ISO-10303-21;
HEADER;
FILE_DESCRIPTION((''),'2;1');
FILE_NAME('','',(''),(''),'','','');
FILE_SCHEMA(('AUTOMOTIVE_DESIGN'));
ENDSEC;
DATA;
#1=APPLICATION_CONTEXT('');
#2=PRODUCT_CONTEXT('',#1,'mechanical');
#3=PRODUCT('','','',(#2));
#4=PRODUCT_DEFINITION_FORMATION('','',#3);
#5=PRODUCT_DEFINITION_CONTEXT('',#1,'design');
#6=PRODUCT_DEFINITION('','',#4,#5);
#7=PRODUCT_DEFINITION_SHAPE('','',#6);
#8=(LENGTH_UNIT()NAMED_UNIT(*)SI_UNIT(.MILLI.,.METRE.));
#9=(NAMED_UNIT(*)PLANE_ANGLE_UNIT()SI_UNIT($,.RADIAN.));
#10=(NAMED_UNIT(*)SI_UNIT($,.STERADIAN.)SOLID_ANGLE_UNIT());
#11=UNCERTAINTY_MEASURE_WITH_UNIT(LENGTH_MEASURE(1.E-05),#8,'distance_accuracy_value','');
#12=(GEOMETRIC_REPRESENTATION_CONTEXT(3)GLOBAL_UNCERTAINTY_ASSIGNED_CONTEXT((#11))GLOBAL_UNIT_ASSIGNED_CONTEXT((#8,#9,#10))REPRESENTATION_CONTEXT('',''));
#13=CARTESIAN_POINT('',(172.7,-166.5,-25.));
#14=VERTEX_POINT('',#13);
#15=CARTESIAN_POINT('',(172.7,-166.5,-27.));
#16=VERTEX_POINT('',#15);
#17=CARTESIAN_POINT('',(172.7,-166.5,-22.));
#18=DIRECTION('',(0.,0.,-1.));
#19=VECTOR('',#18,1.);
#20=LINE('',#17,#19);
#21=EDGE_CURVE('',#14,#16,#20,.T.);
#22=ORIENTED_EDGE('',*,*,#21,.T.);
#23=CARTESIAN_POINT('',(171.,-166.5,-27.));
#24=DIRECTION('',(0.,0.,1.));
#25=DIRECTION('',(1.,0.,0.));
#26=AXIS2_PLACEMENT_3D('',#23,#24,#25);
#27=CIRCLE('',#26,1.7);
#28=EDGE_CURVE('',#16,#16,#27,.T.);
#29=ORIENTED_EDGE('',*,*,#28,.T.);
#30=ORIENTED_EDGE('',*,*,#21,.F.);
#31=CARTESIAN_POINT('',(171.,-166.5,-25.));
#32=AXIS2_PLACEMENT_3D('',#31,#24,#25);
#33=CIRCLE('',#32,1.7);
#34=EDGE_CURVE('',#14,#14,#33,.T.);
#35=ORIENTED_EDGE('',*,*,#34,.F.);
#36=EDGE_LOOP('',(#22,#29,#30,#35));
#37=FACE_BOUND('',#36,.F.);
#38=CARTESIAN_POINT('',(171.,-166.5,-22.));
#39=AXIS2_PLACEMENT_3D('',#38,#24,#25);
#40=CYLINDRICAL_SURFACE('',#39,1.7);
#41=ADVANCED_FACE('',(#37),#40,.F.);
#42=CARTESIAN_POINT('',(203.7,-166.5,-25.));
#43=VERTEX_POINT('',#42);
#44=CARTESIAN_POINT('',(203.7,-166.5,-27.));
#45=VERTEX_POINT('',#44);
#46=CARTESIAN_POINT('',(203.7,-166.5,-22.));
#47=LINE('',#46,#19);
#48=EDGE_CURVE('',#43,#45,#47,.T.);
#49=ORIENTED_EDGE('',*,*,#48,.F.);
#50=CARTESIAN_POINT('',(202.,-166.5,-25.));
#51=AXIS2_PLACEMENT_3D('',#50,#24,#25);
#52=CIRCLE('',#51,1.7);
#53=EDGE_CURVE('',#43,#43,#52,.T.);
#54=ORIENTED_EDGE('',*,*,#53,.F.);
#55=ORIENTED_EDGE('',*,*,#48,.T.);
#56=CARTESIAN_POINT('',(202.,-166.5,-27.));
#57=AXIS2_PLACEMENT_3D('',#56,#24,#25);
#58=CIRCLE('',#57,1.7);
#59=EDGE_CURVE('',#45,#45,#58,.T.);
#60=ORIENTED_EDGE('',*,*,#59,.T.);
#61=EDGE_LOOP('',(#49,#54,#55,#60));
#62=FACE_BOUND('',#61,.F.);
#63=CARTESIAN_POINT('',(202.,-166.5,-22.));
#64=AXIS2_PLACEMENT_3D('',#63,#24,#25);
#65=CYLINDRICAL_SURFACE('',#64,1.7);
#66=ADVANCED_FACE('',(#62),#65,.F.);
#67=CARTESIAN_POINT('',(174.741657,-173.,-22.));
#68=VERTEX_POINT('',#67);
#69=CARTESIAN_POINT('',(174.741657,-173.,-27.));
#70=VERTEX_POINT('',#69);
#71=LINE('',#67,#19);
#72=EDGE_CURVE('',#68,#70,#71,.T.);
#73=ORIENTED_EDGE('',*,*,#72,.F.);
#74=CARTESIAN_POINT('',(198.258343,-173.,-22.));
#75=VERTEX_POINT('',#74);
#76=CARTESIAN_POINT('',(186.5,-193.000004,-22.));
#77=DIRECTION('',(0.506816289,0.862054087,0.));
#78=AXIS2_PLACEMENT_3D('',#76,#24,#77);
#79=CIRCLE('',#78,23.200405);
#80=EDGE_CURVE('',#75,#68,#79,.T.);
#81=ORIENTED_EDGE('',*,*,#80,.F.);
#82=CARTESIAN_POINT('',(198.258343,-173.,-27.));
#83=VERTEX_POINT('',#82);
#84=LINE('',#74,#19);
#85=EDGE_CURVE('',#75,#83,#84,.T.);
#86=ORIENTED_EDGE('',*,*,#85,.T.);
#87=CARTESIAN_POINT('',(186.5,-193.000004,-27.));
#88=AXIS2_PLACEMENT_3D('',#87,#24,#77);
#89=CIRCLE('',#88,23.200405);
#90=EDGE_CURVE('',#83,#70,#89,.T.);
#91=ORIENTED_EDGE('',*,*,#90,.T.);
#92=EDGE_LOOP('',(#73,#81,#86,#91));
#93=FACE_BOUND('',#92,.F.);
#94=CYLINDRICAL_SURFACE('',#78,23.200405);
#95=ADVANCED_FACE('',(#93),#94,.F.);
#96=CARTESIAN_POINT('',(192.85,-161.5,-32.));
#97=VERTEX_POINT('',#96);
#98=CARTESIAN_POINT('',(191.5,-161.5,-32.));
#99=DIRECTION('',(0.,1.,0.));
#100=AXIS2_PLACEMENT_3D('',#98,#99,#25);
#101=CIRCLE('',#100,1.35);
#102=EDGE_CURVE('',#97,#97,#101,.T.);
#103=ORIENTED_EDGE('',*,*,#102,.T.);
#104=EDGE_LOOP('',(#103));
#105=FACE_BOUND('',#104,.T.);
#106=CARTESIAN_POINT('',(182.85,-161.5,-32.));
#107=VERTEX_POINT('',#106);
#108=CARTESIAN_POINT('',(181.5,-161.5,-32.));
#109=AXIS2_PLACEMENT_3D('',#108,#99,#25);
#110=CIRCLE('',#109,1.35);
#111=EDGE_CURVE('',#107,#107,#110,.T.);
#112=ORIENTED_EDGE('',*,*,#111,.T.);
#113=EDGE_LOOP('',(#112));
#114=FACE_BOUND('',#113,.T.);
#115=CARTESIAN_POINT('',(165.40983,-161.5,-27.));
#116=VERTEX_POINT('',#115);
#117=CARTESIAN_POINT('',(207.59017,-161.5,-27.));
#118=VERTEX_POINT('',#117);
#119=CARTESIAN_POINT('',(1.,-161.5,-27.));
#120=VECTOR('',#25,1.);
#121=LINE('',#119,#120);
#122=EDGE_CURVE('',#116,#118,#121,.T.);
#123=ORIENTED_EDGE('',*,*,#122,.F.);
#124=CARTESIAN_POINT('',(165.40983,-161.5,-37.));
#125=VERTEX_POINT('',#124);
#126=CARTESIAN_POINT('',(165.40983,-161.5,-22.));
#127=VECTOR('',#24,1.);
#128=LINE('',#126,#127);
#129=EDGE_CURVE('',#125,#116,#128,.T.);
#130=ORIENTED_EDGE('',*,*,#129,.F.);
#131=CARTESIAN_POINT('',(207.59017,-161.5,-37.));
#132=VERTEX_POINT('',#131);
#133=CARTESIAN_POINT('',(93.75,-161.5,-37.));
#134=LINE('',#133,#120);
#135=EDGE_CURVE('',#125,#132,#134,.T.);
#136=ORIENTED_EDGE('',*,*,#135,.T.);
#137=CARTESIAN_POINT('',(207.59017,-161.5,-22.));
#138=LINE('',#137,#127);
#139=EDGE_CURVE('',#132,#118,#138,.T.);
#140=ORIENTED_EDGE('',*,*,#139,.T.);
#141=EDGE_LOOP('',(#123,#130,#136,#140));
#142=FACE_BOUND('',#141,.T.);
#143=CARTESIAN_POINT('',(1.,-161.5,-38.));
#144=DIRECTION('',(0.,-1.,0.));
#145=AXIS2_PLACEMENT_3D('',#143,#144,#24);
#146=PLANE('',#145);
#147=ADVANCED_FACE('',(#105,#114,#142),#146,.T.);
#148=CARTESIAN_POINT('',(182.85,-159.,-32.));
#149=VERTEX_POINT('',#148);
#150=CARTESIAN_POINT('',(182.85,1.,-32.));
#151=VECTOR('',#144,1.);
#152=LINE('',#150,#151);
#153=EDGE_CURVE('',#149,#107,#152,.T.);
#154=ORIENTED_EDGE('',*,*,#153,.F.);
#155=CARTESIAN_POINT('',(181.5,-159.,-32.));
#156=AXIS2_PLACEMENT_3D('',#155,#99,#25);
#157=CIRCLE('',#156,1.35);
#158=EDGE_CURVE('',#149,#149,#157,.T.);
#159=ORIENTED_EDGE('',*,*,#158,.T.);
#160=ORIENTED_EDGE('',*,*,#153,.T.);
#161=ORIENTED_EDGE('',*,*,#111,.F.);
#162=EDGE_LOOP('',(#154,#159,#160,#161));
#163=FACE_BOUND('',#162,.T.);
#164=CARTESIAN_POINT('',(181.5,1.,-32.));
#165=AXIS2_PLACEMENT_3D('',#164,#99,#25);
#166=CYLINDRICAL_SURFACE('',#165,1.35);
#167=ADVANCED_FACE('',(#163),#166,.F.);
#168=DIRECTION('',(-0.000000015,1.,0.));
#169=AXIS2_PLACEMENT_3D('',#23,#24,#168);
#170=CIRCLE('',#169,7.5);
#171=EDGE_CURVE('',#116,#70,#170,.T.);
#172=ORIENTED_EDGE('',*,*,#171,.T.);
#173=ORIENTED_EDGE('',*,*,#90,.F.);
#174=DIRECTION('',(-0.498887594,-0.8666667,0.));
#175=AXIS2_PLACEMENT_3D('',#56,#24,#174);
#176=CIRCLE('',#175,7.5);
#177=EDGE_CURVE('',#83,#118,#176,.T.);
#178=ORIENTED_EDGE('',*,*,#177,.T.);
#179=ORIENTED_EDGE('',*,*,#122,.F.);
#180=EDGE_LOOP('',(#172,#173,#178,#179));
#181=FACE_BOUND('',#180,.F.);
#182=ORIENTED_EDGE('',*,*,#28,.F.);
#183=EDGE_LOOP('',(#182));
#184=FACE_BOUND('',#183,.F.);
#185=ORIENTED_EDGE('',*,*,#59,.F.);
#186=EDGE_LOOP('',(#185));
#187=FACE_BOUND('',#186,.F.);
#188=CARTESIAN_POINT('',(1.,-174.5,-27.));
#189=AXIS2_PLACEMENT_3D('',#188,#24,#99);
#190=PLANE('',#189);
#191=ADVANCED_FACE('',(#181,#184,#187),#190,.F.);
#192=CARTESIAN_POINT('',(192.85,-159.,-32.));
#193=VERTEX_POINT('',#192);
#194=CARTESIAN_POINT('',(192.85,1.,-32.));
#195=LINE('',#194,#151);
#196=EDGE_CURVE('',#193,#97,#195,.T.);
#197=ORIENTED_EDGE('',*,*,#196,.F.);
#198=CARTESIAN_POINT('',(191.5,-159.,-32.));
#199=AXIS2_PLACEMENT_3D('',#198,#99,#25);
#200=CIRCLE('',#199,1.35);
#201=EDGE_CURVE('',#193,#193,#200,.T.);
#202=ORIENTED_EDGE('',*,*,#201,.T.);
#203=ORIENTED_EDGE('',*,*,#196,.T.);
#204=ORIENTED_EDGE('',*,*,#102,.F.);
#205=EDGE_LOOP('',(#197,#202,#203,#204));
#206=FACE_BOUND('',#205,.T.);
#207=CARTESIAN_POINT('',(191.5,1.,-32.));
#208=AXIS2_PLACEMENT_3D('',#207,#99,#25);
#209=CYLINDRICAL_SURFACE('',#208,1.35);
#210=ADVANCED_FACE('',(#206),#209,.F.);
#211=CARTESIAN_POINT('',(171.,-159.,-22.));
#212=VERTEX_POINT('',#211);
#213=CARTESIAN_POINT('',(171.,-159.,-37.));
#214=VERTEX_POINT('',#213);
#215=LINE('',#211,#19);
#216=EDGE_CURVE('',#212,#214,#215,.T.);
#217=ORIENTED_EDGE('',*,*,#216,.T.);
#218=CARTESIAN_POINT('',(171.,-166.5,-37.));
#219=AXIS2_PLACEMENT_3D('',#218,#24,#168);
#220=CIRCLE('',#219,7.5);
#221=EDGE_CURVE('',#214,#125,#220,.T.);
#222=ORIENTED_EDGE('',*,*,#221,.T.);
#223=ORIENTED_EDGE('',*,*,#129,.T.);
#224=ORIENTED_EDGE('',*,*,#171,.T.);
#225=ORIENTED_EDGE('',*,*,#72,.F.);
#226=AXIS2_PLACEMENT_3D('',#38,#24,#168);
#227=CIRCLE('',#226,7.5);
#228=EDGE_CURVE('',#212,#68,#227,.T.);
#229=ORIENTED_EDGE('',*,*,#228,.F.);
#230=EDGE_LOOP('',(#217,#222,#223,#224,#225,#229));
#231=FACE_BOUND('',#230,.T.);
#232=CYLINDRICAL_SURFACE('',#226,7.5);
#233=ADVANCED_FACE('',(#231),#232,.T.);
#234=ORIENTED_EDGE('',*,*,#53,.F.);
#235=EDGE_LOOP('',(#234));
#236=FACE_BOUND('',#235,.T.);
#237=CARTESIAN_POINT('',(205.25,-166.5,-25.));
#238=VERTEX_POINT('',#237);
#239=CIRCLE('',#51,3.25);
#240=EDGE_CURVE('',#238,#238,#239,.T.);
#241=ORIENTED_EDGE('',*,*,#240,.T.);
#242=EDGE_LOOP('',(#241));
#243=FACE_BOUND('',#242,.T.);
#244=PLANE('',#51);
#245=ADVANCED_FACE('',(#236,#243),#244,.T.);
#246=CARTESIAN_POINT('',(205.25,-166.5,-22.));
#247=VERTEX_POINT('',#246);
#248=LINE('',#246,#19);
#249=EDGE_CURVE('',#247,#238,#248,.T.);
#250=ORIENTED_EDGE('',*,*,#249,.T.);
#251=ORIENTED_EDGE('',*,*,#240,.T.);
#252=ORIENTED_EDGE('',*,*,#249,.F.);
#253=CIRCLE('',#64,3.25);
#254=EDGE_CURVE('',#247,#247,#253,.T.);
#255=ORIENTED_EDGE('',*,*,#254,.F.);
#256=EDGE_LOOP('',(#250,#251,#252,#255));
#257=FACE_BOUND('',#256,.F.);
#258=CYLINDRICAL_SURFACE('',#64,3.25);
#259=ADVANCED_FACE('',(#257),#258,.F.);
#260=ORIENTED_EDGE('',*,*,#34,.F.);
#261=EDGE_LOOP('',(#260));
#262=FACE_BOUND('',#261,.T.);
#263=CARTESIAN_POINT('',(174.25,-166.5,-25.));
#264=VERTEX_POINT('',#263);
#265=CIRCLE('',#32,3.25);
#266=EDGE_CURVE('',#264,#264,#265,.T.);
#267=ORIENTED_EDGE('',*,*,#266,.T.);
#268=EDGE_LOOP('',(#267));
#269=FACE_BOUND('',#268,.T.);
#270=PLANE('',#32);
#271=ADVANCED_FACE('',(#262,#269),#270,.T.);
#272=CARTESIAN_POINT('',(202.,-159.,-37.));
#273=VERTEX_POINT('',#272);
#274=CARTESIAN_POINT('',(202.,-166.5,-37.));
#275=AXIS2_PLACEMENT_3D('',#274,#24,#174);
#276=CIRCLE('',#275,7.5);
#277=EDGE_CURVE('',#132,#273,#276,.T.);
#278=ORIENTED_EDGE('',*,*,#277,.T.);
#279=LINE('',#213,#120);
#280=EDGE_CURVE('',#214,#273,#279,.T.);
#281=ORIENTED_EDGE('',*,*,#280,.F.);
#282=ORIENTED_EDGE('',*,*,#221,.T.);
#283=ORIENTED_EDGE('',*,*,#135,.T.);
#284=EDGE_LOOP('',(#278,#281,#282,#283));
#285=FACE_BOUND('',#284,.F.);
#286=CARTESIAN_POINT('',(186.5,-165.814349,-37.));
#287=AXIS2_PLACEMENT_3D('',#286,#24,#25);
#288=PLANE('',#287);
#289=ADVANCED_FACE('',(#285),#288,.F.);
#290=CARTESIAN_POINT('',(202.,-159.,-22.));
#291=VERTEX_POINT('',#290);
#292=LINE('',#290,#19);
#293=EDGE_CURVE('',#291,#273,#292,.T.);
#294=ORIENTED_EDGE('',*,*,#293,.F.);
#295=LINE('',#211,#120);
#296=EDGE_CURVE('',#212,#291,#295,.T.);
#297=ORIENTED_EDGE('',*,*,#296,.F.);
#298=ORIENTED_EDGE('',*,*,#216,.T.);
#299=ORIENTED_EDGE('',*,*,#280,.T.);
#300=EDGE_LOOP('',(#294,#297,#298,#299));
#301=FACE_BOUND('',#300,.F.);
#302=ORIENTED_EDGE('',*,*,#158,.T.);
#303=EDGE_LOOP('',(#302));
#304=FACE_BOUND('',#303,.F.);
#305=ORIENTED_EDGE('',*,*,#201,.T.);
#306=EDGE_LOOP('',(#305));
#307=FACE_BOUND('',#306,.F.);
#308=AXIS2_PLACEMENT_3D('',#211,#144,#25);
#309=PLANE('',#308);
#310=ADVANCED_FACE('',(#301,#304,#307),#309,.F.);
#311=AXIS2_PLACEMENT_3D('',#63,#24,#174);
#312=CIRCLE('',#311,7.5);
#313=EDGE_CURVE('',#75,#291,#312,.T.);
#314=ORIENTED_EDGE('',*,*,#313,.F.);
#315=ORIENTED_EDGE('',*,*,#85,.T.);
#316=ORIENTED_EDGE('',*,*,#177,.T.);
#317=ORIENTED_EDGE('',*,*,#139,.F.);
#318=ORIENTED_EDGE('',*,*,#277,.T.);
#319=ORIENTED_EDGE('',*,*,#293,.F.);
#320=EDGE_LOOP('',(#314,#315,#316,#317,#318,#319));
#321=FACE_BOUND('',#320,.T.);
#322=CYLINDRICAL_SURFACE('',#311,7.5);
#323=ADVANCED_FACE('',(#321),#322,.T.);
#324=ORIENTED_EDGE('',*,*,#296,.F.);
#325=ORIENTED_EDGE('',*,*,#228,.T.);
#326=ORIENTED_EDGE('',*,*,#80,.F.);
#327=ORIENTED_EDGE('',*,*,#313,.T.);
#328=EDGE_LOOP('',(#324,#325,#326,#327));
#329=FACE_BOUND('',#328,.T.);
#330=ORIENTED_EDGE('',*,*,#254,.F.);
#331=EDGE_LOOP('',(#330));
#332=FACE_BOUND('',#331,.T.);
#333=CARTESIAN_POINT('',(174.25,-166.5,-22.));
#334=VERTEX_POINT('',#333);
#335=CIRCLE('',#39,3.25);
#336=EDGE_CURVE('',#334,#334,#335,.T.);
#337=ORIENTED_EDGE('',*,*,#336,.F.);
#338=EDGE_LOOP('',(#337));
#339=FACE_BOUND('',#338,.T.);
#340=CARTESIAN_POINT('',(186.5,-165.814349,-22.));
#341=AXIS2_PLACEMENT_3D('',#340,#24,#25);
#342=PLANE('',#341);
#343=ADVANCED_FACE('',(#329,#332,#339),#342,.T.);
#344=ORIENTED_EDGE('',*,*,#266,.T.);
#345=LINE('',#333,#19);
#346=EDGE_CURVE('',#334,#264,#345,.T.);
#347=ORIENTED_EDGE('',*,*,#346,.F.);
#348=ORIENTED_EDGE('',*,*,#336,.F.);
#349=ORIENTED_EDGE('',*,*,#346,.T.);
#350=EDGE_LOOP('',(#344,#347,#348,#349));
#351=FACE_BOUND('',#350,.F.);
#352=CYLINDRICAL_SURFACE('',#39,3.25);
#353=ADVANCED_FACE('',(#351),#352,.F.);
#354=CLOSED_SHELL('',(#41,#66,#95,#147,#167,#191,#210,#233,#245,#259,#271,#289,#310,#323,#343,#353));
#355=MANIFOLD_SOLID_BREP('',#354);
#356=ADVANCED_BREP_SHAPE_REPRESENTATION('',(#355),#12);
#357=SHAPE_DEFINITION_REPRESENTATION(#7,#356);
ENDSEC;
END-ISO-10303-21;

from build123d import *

# Parameters (mm, degrees)
SKETCH021_R     = 1.7
PAD003_DEPTH    = 15
SKETCH022_W     = 13
SKETCH022_H     = 11
POCKET018_DEPTH = 208.501
SKETCH023_R     = 1.35
POCKET019_DEPTH = 175.001
SKETCH024_R     = 3.25
POCKET020_DEPTH = 3


with BuildPart() as part:
    # Sketch021 → Pad003 (new body)
    with BuildSketch(Plane.XY):
        with BuildLine():
            ThreePointArc((170, -160), (162.754312, -169.436492), (173.741657, -174))
            ThreePointArc((197.258343, -174), (185.5, -170.799599), (173.741657, -174))
            ThreePointArc((197.258343, -174), (208.245688, -169.436492), (201, -160))
            Line((170, -160), (201, -160))
        make_face()
        with Locations((170, -167.5)):
            Circle(SKETCH021_R, mode=Mode.SUBTRACT)
        with Locations((201, -167.5)):
            Circle(SKETCH021_R, mode=Mode.SUBTRACT)
    extrude(amount=-PAD003_DEPTH)

    # Sketch022 → Pocket018 (cut, through all)
    with BuildSketch(Plane.YZ):
        with Locations((-169, -10.5)):
            Rectangle(SKETCH022_W, SKETCH022_H)
    extrude(amount=POCKET018_DEPTH, mode=Mode.SUBTRACT)

    # Sketch023 → Pocket019 (cut, through all)
    with BuildSketch(Plane.XZ):
        with Locations((180.5, -10)):
            Circle(SKETCH023_R)
        with Locations((190.5, -10)):
            Circle(SKETCH023_R)
    extrude(amount=POCKET019_DEPTH, mode=Mode.SUBTRACT)

    # Sketch024 → Pocket020 (cut)
    with BuildSketch(Plane.XY):
        with Locations((170, -167.5)):
            Circle(SKETCH024_R)
        with Locations((201, -167.5)):
            Circle(SKETCH024_R)
    extrude(amount=-POCKET020_DEPTH, mode=Mode.SUBTRACT)


with BuildPart() as part_1:
    # Body003 placement: moved
    add(part.part.moved(Location((1, 1, -22))))


solid = part_1.part
